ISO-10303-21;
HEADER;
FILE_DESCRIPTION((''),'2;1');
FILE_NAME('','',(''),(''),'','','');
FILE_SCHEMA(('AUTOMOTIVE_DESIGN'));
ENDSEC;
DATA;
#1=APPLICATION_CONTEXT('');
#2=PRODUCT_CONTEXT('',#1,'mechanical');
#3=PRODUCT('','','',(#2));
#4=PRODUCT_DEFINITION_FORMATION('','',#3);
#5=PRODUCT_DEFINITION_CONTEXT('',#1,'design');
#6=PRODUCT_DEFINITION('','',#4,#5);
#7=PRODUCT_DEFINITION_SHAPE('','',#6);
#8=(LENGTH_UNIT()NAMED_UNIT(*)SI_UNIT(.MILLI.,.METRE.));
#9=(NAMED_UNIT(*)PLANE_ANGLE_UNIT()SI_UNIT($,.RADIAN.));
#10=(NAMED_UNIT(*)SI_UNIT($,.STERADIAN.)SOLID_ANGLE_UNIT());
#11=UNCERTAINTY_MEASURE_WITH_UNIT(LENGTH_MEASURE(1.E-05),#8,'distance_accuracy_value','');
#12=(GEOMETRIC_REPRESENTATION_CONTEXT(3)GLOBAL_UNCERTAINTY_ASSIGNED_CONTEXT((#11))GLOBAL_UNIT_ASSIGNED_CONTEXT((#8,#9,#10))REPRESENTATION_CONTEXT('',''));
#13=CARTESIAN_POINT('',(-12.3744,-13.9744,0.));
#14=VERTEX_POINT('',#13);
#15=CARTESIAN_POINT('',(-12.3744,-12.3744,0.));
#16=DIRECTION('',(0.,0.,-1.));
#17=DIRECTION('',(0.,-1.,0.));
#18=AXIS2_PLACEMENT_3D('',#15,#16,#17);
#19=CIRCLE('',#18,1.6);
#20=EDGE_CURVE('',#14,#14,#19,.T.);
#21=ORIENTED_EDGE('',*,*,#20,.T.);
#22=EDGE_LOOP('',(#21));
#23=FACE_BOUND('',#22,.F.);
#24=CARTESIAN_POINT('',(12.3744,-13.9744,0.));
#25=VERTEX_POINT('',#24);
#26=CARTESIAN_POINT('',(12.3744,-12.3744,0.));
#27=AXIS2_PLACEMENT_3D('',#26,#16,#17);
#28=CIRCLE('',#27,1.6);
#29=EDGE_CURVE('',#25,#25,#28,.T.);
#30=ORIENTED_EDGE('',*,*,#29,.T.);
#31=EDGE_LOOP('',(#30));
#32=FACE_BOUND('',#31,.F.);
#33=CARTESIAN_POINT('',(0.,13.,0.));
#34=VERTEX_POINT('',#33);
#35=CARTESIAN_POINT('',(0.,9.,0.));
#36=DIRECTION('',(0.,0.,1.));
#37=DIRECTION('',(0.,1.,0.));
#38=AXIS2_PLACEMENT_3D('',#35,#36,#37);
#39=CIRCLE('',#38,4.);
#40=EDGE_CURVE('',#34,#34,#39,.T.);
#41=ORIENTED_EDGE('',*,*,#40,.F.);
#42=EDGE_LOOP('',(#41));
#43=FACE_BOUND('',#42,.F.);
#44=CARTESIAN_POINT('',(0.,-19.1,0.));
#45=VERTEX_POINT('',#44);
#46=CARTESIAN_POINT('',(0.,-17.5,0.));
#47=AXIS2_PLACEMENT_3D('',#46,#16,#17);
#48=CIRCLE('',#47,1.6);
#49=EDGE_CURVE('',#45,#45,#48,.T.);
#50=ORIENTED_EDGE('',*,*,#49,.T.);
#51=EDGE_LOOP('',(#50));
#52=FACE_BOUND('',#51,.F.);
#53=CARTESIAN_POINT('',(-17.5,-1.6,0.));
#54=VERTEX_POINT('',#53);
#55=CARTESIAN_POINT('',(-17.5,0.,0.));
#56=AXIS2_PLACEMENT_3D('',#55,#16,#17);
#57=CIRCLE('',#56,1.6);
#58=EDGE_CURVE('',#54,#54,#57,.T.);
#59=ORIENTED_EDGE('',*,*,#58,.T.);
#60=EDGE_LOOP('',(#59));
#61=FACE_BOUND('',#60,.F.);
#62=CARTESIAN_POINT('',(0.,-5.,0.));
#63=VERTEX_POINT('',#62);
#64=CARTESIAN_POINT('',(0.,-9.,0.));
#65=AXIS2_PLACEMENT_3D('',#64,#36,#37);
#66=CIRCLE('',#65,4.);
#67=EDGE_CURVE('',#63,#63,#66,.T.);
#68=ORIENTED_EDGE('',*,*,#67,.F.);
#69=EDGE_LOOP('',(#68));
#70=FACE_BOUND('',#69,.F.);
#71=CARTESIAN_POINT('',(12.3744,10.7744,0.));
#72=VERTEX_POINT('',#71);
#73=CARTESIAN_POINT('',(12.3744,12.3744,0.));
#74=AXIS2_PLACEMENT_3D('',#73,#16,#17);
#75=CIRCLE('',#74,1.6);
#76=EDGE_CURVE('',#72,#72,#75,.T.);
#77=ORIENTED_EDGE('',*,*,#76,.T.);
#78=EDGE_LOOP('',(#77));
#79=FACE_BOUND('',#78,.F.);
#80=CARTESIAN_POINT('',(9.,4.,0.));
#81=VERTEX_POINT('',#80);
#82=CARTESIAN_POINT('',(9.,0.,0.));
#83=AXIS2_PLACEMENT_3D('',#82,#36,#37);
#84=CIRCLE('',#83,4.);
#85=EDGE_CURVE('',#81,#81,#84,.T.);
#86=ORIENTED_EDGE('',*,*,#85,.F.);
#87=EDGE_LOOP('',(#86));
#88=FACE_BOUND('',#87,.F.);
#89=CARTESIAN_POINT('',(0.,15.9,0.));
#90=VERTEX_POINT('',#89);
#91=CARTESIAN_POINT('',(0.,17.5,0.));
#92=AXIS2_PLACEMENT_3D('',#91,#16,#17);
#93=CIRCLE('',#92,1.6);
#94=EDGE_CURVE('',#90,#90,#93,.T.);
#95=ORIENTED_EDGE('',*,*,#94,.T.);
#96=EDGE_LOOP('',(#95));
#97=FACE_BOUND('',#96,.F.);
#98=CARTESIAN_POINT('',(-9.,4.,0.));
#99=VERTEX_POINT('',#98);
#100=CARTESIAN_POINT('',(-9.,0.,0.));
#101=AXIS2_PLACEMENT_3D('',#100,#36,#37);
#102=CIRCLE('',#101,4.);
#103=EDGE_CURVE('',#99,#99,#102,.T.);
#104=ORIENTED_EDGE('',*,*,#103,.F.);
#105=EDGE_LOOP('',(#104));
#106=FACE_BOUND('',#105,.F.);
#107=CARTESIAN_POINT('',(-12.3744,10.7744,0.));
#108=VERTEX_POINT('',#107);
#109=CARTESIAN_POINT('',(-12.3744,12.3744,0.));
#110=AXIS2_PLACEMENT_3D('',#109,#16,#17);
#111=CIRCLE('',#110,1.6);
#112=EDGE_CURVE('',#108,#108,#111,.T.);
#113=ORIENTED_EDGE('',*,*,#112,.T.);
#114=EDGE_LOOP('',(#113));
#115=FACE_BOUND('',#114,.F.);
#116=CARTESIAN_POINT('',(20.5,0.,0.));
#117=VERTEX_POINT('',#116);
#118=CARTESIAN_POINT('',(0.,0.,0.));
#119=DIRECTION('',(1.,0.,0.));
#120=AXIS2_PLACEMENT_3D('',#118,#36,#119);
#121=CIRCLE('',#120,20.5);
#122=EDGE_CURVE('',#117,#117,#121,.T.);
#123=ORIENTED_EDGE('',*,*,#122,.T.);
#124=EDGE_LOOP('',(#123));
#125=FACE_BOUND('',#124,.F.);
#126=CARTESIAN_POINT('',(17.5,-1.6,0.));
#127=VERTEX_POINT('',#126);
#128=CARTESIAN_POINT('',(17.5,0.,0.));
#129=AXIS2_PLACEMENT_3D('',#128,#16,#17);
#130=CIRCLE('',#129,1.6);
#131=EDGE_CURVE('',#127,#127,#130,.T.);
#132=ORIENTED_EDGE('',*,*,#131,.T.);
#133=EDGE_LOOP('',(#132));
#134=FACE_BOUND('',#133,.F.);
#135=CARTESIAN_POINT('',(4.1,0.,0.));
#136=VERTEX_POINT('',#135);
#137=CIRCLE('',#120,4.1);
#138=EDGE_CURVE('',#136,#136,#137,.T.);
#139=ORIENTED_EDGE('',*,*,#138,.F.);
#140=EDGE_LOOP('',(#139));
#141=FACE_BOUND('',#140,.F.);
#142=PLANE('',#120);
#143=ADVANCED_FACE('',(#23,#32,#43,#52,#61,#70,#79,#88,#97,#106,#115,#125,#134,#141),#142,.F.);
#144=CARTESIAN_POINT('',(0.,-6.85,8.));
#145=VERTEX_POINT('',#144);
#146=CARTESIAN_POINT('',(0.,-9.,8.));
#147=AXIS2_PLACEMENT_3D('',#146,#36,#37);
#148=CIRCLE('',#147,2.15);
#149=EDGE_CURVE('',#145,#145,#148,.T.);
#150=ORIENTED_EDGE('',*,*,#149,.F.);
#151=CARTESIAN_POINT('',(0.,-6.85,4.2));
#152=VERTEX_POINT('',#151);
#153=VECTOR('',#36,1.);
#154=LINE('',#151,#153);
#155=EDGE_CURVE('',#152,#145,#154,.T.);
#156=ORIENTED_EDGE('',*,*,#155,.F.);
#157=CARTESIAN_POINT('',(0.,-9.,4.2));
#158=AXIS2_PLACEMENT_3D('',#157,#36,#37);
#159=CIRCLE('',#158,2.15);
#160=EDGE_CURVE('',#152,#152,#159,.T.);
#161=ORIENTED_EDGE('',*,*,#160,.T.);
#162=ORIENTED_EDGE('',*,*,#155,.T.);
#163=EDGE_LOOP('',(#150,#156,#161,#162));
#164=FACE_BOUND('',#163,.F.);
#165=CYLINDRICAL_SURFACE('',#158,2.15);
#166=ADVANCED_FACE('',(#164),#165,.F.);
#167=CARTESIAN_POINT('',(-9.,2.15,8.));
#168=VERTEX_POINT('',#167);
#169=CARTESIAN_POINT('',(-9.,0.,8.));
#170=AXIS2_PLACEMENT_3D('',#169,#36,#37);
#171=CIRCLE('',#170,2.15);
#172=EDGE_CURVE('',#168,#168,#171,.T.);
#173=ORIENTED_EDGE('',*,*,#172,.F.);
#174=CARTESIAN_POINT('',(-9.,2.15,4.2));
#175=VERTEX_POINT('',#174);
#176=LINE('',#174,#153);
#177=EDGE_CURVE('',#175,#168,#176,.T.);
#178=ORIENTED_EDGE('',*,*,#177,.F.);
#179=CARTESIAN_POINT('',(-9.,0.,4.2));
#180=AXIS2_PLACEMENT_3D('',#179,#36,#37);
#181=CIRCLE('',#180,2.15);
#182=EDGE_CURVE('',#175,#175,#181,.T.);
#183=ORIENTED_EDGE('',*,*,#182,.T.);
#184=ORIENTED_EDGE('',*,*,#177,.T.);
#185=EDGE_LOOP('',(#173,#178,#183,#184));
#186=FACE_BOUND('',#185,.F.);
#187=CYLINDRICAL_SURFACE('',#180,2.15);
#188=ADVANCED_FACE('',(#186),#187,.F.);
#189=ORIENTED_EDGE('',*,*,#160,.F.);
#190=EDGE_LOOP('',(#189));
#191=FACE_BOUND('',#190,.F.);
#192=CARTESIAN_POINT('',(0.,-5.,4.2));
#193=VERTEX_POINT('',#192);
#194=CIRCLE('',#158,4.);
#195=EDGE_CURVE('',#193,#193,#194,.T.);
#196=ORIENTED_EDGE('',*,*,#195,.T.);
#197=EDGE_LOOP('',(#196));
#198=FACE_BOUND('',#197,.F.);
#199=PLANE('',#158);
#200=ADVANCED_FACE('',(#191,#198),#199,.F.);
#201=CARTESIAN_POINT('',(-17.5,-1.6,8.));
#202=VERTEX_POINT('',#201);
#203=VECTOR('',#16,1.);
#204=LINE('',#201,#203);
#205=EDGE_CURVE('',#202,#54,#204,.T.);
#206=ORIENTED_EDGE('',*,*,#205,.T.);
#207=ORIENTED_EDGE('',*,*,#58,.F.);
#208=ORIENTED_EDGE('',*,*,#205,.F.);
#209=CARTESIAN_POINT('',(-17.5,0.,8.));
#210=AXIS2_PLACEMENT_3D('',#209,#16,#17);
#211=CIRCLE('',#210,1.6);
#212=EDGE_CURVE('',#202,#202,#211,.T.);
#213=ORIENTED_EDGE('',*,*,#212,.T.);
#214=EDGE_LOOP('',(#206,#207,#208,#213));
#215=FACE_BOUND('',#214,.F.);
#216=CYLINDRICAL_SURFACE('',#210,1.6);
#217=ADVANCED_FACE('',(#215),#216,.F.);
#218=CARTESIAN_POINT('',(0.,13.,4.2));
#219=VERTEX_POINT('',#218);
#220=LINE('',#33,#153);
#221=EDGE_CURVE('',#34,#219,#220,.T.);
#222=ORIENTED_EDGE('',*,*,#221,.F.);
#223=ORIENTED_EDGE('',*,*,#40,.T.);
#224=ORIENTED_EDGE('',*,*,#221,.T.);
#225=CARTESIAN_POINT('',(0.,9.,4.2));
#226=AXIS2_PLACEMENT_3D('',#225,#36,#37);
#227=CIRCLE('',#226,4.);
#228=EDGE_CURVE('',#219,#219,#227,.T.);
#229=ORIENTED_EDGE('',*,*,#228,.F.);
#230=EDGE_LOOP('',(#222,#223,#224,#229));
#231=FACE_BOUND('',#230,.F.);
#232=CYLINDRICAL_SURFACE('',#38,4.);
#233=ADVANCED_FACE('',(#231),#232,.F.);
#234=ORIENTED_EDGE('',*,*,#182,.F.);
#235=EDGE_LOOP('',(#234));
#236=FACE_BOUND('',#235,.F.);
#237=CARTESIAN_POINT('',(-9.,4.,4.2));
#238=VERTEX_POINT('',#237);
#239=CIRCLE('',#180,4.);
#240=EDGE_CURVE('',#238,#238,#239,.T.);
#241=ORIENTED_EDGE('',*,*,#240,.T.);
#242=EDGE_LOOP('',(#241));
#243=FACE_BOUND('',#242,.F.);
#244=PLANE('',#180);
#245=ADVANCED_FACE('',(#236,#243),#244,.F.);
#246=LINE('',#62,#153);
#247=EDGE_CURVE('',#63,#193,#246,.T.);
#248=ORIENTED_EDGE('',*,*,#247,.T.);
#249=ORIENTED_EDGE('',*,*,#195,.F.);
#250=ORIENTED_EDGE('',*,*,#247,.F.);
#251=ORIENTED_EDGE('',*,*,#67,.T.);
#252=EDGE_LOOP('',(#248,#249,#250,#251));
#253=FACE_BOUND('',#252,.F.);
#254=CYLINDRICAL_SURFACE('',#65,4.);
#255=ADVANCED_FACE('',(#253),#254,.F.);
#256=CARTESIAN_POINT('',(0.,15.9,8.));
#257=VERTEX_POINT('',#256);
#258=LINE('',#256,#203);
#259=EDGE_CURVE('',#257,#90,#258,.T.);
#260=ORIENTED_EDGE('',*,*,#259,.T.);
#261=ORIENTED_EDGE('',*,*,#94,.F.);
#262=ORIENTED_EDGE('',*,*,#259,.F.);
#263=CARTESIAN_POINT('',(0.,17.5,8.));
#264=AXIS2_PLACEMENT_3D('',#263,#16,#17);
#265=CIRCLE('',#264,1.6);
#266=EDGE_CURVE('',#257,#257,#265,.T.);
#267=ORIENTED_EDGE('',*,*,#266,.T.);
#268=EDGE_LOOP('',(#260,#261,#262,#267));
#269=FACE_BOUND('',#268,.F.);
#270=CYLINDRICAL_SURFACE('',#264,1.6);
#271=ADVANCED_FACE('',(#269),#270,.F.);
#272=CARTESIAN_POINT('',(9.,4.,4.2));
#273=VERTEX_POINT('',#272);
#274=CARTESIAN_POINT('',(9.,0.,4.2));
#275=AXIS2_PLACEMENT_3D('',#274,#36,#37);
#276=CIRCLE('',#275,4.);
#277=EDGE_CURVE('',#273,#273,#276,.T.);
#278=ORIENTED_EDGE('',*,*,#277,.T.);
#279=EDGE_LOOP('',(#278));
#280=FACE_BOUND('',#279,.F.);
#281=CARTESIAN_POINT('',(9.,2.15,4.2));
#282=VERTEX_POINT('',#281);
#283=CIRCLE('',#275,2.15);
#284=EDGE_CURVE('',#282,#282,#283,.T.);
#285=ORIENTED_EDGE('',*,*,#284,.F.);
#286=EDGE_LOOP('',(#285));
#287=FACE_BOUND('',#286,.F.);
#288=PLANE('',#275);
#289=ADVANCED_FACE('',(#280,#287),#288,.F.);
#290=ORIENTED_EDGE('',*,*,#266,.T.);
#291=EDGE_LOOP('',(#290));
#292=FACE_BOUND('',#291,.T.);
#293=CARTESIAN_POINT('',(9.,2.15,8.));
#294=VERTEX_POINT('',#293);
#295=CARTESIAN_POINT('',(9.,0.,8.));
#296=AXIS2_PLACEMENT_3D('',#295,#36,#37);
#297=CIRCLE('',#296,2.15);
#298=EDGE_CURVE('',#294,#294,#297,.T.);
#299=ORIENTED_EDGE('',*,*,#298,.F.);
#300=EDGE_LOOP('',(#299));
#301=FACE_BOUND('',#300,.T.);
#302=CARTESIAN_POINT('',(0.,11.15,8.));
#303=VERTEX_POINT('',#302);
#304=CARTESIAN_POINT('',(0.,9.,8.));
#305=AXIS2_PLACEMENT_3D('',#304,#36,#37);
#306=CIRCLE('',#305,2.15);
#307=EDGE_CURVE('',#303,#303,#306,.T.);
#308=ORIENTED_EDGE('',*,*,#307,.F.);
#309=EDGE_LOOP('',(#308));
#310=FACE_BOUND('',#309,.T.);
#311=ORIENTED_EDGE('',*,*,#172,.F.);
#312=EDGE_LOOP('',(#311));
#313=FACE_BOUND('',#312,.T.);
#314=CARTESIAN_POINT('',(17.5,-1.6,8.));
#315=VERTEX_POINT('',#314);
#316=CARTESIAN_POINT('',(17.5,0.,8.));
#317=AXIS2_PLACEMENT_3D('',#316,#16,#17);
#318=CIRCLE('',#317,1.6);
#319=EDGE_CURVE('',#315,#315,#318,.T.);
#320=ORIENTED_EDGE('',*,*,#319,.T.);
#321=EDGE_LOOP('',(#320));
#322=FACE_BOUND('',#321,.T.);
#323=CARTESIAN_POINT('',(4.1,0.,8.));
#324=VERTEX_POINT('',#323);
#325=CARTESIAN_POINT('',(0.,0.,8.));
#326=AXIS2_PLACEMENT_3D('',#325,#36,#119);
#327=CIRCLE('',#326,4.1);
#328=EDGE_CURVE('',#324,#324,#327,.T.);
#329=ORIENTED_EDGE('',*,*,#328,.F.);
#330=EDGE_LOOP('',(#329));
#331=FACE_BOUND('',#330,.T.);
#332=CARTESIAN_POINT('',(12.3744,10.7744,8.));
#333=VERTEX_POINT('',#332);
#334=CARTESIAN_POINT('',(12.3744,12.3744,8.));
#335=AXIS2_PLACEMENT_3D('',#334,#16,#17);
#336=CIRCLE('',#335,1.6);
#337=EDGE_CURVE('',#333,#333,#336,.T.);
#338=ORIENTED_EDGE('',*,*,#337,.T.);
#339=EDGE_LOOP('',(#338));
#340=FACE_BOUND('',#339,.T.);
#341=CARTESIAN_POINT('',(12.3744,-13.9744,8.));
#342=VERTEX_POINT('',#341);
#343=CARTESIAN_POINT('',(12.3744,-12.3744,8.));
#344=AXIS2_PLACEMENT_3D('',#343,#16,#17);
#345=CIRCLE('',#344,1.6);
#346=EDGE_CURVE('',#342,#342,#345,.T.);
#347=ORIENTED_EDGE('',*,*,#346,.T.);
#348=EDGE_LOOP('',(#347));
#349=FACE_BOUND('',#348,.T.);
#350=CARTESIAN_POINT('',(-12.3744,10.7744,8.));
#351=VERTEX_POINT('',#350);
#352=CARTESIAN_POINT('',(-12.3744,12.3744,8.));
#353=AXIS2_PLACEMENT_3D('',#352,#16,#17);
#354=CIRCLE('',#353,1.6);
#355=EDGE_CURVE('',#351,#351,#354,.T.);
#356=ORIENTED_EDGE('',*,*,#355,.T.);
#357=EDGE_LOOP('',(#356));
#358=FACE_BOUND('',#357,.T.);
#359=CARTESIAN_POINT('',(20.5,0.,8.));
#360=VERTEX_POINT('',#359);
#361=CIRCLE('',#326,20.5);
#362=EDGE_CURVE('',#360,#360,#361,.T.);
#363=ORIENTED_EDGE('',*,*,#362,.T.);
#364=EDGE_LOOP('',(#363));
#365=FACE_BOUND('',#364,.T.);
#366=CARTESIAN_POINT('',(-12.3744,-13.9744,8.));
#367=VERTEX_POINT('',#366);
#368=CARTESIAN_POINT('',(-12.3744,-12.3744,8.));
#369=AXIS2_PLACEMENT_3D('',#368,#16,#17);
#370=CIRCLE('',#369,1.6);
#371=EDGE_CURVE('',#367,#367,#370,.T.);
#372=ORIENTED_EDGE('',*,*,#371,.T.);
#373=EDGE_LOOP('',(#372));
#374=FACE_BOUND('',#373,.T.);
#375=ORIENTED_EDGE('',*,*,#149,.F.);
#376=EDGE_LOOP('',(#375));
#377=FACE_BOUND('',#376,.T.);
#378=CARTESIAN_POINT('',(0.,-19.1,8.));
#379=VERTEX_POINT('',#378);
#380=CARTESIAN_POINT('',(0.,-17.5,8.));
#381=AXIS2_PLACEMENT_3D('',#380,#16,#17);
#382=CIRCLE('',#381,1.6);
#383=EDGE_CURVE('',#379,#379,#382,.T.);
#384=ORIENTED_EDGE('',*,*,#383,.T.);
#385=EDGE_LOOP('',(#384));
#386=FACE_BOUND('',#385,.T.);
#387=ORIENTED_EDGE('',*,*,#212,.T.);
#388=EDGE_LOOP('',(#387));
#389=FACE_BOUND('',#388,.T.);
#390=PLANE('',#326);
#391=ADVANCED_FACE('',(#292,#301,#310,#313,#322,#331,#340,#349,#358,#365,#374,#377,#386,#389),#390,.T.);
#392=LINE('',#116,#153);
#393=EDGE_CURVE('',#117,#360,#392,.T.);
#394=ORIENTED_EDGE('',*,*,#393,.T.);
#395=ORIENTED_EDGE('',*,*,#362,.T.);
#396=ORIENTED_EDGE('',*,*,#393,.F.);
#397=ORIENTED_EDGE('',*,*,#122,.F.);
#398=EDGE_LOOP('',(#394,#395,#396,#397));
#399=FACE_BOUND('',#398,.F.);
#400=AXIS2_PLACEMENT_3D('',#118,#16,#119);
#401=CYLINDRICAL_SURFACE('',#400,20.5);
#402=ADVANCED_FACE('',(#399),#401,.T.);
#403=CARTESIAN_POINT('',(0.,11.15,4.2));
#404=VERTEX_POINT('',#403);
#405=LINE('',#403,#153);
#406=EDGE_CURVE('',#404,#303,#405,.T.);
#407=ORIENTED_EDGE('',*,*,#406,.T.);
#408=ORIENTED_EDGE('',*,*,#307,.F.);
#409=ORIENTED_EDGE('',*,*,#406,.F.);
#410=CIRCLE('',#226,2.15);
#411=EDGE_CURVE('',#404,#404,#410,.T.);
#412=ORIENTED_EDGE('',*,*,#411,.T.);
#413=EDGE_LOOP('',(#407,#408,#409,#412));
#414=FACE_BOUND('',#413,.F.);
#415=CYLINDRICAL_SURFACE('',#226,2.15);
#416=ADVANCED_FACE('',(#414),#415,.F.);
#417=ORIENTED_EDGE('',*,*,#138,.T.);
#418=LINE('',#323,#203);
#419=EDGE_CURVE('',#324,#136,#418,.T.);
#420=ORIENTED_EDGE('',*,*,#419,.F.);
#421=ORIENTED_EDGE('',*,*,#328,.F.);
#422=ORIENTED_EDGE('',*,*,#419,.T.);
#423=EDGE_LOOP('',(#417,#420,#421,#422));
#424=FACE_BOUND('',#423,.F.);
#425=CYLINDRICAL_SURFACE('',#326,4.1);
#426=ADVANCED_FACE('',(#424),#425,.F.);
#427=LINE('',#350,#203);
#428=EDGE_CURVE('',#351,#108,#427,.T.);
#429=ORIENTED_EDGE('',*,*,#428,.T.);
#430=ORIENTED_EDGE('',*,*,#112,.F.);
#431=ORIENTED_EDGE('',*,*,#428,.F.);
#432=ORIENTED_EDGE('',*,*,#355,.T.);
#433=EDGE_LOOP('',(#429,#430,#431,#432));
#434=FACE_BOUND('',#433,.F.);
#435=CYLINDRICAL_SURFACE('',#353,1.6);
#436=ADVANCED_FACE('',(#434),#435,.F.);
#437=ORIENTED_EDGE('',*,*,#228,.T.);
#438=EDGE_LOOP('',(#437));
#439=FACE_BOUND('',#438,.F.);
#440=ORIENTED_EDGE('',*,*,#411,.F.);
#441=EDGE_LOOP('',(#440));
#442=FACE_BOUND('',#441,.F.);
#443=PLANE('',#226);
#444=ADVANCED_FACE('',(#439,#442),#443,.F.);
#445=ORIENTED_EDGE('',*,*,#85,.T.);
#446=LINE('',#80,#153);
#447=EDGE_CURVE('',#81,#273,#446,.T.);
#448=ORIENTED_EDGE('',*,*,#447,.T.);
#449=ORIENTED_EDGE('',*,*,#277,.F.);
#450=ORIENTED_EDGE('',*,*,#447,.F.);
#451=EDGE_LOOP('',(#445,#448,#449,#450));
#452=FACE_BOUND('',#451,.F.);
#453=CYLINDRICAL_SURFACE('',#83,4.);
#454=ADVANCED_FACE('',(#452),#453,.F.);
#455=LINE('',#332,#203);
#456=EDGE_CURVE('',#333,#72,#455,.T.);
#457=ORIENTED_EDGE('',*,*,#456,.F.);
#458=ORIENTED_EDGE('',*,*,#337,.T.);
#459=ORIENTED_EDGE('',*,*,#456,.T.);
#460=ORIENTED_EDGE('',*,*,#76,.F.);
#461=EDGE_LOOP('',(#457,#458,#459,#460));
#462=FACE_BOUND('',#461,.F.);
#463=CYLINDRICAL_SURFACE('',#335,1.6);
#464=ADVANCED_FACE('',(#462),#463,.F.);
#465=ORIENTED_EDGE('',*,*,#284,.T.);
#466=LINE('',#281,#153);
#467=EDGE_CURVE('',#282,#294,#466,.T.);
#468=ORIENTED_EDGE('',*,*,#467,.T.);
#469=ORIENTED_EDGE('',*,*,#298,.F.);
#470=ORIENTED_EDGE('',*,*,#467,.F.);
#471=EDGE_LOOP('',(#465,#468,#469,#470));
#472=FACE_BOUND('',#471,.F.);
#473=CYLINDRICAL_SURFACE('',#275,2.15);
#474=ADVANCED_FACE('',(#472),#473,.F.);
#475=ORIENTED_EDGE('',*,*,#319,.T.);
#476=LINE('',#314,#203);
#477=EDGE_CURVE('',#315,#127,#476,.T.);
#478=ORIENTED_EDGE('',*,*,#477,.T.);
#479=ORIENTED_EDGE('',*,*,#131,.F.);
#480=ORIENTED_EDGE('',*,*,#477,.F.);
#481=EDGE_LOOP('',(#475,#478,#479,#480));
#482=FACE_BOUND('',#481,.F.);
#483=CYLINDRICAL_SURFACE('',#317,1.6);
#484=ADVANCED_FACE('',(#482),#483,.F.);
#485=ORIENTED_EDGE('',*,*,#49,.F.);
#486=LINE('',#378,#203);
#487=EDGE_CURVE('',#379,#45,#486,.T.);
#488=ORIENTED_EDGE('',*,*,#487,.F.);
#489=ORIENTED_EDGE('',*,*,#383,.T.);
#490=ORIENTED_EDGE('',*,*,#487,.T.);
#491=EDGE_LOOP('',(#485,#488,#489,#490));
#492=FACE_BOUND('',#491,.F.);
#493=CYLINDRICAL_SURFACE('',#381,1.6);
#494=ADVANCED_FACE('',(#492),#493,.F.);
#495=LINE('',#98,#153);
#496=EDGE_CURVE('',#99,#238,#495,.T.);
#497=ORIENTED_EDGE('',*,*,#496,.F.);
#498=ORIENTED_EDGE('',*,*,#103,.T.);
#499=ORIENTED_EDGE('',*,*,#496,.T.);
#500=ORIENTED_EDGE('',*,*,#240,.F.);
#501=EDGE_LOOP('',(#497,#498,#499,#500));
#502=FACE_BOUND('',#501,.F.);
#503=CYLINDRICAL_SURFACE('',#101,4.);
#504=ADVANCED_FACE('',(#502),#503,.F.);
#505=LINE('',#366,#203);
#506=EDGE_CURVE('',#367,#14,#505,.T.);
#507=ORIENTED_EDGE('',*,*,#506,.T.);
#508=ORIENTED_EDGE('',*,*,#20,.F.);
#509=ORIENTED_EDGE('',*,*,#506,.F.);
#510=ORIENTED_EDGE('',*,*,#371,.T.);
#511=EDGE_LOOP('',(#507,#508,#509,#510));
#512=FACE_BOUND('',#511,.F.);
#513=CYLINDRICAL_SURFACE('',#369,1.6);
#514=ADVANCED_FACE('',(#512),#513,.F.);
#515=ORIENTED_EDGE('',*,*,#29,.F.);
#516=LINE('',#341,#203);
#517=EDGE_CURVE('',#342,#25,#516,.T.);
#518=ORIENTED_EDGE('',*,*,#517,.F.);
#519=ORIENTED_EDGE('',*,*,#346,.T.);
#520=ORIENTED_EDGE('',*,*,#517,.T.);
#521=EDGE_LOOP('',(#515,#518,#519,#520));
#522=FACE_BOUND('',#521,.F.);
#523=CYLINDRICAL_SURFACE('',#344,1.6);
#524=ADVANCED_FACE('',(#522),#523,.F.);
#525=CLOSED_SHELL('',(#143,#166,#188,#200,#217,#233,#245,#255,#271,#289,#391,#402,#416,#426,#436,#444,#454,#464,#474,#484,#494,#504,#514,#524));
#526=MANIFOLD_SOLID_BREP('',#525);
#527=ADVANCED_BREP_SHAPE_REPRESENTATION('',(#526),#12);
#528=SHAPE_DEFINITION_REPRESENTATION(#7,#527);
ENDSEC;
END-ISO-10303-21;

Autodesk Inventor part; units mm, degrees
ref_plane "YZ Plane" through (0, 0, 0) normal (1, 0, 0) x (0, 1, 0)
ref_plane "XZ Plane" through (0, 0, 0) normal (0, 1, 0) x (-1, 0, 0)
ref_plane "XY Plane" through (0, 0, 0) normal (0, 0, 1) x (1, 0, 0)
sketch "スケッチ1" plane through (0, 0, 0) normal (0, 0, 1) x (1, 0, 0)
  circle A0 centre (0, 0) radius 20.5
  dimension "d0" = 41
extrude "押し出し1" add sketch "スケッチ1" along normal blind 8
sketch "スケッチ2" plane through (0, 0, 8) normal (0, 0, 1) x (1, 0, 0)
  circle A0 centre (0, 0) radius 17.5
  point P0 (0, 17.5)
  point P1 (-12.3744, 12.3744)
  point P2 (-17.5, 0)
  point P3 (-12.3744, -12.3744)
  point P4 (0, -17.5)
  point P5 (12.3744, -12.3744)
  point P6 (17.5, 0)
  point P7 (12.3744, 12.3744)
  dimension "d3" = 35
  dimension "d6" = 360
hole "穴1" at (0, 17.5, 8) at (-12.3744, 12.3744, 8) at (-17.5, 0, 8) at (-12.3744, -12.3744, 8) at (0, -17.5, 8) at (12.3744, -12.3744, 8) at (17.5, 0, 8) at (12.3744, 12.3744, 8) direction (0, 0, -1) diameter 3.2 end through all clearance for "Socket Head Cap Screw" size "M3" standard "Ansi Metric M Profile"
sketch "スケッチ3" plane through (0, 0, 0) normal (0, 0, -1) x (-1, 0, 0)
  circle A0 centre (0, 0) radius 9
  point P0 (0, 9)
  point P1 (-9, 0)
  point P2 (0, -9)
  point P3 (9, 0)
  dimension "d15" = 18
  dimension "d18" = 360
hole "穴2" at (0, 9, 0) at (9, 0, 0) at (0, -9, 0) at (-9, 0, 0) direction (0, 0, 1) diameter 4.3 end through all counterbore diameter 8 counterbore depth 4.2 clearance for "Socket Head Cap Screw" size "M4" standard "Ansi Metric M Profile"
sketch "スケッチ4" plane through (0, 0, 8) normal (0, 0, 1) x (1, 0, 0)
  circle A0 centre (0, 0) radius 4.1
  dimension "d27" = 8.2
extrude "押し出し2" cut sketch "スケッチ4" against normal through all
properties part number "scara-base10" material "ABS プラスチック"
